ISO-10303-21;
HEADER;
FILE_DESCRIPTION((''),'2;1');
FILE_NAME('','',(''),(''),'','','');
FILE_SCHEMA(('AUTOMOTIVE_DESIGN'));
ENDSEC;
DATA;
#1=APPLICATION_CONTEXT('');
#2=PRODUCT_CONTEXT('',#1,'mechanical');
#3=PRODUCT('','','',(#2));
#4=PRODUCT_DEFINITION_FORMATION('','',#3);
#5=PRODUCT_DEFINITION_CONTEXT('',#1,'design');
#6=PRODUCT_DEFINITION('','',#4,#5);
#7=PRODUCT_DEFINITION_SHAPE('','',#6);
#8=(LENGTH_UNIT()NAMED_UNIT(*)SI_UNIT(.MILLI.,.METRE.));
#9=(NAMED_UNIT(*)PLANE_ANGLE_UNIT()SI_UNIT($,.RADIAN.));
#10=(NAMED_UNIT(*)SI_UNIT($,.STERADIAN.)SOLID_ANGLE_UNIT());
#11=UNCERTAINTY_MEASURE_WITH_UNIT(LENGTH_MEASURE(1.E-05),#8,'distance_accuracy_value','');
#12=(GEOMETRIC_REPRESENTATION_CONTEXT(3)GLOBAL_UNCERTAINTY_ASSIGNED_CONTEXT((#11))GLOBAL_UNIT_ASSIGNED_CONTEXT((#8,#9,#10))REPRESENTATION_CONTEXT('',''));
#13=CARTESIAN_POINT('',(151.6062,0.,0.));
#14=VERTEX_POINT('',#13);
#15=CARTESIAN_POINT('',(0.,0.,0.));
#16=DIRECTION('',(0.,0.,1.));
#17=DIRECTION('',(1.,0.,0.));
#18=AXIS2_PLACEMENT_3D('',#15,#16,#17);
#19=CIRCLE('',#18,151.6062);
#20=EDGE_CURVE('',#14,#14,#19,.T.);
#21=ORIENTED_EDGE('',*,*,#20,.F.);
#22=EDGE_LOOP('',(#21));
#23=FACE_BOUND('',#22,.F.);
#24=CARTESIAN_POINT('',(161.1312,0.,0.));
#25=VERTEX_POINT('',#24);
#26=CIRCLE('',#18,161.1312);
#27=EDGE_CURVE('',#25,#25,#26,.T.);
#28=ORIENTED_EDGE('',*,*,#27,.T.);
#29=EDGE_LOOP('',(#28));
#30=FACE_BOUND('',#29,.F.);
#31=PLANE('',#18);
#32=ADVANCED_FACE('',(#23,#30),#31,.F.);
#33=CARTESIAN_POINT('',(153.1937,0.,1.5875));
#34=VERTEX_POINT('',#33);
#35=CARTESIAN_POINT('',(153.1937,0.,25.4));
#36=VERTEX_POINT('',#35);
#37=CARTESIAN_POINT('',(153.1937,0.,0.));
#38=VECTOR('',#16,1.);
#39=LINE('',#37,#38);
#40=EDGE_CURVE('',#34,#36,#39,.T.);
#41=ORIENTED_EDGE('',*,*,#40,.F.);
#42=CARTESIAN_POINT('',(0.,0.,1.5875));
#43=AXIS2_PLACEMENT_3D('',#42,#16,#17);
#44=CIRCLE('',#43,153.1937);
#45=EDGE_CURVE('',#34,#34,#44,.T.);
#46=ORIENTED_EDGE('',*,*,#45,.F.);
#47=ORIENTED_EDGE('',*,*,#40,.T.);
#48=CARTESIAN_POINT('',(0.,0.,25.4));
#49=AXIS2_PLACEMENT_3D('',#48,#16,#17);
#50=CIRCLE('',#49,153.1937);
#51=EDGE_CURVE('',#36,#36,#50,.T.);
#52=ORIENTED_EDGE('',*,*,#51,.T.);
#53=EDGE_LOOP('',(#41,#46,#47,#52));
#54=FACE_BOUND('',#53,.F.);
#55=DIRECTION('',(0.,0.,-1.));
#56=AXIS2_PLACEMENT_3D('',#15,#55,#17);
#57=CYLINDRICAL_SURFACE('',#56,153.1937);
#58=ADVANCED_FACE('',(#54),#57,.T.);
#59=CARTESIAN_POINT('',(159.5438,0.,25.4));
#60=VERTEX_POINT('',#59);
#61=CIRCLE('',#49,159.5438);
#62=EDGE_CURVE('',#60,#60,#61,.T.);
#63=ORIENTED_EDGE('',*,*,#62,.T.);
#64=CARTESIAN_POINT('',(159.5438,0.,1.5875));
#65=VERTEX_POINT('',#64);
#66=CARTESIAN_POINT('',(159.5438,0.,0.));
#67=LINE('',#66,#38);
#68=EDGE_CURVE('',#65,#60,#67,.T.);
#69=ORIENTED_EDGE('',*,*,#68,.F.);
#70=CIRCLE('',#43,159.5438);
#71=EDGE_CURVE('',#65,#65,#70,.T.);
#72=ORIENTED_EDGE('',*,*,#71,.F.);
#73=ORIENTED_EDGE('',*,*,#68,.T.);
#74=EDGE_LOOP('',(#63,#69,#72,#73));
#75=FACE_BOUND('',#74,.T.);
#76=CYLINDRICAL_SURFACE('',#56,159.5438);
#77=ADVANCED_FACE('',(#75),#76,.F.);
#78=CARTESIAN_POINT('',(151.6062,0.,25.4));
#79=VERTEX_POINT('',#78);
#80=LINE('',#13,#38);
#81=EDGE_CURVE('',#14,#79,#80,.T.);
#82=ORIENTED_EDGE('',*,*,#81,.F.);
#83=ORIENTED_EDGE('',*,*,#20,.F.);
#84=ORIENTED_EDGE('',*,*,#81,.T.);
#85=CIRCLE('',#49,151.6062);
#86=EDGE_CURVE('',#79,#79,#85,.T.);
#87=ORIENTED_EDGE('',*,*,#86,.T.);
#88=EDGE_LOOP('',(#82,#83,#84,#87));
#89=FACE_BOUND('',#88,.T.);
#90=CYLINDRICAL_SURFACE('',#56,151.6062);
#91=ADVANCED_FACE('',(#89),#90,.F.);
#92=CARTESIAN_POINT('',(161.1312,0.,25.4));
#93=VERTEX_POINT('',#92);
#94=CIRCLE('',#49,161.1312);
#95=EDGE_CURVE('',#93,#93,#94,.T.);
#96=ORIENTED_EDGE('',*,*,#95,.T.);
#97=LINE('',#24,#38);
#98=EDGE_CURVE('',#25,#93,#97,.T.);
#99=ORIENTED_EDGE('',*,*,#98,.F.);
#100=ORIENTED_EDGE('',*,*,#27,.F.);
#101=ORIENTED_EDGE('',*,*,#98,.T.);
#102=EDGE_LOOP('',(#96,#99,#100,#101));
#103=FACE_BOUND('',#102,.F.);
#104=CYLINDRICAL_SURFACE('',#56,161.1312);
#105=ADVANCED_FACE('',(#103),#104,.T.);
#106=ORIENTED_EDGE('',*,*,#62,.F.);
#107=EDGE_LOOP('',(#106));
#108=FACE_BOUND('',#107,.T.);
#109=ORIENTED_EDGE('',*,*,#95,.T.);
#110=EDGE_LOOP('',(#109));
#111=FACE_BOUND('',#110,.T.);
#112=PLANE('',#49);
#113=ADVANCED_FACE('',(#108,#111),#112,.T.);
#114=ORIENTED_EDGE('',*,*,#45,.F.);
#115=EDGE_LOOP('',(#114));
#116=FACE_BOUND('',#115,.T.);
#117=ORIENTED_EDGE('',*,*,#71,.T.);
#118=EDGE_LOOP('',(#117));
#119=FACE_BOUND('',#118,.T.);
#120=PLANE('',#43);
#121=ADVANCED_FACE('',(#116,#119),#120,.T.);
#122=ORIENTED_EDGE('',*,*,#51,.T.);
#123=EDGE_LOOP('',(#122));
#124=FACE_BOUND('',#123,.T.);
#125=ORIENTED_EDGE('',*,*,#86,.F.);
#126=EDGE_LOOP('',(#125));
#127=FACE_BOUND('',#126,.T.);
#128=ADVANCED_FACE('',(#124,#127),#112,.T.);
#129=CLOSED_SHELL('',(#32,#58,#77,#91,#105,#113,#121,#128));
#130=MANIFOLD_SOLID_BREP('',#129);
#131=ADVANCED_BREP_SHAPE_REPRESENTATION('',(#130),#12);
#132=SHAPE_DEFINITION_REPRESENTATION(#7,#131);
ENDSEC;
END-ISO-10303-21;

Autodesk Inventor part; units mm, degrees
ref_plane "YZ Plane" through (0, 0, 0) normal (1, 0, 0) x (0, 1, 0)
ref_plane "XZ Plane" through (0, 0, 0) normal (0, 1, 0) x (-1, 0, 0)
ref_plane "XY Plane" through (0, 0, 0) normal (0, 0, 1) x (1, 0, 0)
sketch "Sketch1" plane through (0, 0, 0) normal (0, 0, 1) x (1, 0, 0)
  circle A0 centre (0, 0) radius 161.1312
  circle A1 centre (0, 0) radius 151.6062
  circle A2 centre (0, 0) radius 153.1937
  circle A3 centre (0, 0) radius 159.5438
  dimension "d2" = 9.525
  dimension "d3" = 303.2125
  dimension "d4" = 322.2625
  dimension "d13" = 306.3875
  dimension "d14" = 319.0875
  dimension "d15" = 6.35
  dimension "d16" = 1.5875
  dimension "d21" = 0
extrude "Extrusion1" add sketch "Sketch1" along normal blind 1.5875 contours A3
extrude "Extrusion2" add sketch "Sketch1" along normal blind 25.4
properties part number "tubecap"
